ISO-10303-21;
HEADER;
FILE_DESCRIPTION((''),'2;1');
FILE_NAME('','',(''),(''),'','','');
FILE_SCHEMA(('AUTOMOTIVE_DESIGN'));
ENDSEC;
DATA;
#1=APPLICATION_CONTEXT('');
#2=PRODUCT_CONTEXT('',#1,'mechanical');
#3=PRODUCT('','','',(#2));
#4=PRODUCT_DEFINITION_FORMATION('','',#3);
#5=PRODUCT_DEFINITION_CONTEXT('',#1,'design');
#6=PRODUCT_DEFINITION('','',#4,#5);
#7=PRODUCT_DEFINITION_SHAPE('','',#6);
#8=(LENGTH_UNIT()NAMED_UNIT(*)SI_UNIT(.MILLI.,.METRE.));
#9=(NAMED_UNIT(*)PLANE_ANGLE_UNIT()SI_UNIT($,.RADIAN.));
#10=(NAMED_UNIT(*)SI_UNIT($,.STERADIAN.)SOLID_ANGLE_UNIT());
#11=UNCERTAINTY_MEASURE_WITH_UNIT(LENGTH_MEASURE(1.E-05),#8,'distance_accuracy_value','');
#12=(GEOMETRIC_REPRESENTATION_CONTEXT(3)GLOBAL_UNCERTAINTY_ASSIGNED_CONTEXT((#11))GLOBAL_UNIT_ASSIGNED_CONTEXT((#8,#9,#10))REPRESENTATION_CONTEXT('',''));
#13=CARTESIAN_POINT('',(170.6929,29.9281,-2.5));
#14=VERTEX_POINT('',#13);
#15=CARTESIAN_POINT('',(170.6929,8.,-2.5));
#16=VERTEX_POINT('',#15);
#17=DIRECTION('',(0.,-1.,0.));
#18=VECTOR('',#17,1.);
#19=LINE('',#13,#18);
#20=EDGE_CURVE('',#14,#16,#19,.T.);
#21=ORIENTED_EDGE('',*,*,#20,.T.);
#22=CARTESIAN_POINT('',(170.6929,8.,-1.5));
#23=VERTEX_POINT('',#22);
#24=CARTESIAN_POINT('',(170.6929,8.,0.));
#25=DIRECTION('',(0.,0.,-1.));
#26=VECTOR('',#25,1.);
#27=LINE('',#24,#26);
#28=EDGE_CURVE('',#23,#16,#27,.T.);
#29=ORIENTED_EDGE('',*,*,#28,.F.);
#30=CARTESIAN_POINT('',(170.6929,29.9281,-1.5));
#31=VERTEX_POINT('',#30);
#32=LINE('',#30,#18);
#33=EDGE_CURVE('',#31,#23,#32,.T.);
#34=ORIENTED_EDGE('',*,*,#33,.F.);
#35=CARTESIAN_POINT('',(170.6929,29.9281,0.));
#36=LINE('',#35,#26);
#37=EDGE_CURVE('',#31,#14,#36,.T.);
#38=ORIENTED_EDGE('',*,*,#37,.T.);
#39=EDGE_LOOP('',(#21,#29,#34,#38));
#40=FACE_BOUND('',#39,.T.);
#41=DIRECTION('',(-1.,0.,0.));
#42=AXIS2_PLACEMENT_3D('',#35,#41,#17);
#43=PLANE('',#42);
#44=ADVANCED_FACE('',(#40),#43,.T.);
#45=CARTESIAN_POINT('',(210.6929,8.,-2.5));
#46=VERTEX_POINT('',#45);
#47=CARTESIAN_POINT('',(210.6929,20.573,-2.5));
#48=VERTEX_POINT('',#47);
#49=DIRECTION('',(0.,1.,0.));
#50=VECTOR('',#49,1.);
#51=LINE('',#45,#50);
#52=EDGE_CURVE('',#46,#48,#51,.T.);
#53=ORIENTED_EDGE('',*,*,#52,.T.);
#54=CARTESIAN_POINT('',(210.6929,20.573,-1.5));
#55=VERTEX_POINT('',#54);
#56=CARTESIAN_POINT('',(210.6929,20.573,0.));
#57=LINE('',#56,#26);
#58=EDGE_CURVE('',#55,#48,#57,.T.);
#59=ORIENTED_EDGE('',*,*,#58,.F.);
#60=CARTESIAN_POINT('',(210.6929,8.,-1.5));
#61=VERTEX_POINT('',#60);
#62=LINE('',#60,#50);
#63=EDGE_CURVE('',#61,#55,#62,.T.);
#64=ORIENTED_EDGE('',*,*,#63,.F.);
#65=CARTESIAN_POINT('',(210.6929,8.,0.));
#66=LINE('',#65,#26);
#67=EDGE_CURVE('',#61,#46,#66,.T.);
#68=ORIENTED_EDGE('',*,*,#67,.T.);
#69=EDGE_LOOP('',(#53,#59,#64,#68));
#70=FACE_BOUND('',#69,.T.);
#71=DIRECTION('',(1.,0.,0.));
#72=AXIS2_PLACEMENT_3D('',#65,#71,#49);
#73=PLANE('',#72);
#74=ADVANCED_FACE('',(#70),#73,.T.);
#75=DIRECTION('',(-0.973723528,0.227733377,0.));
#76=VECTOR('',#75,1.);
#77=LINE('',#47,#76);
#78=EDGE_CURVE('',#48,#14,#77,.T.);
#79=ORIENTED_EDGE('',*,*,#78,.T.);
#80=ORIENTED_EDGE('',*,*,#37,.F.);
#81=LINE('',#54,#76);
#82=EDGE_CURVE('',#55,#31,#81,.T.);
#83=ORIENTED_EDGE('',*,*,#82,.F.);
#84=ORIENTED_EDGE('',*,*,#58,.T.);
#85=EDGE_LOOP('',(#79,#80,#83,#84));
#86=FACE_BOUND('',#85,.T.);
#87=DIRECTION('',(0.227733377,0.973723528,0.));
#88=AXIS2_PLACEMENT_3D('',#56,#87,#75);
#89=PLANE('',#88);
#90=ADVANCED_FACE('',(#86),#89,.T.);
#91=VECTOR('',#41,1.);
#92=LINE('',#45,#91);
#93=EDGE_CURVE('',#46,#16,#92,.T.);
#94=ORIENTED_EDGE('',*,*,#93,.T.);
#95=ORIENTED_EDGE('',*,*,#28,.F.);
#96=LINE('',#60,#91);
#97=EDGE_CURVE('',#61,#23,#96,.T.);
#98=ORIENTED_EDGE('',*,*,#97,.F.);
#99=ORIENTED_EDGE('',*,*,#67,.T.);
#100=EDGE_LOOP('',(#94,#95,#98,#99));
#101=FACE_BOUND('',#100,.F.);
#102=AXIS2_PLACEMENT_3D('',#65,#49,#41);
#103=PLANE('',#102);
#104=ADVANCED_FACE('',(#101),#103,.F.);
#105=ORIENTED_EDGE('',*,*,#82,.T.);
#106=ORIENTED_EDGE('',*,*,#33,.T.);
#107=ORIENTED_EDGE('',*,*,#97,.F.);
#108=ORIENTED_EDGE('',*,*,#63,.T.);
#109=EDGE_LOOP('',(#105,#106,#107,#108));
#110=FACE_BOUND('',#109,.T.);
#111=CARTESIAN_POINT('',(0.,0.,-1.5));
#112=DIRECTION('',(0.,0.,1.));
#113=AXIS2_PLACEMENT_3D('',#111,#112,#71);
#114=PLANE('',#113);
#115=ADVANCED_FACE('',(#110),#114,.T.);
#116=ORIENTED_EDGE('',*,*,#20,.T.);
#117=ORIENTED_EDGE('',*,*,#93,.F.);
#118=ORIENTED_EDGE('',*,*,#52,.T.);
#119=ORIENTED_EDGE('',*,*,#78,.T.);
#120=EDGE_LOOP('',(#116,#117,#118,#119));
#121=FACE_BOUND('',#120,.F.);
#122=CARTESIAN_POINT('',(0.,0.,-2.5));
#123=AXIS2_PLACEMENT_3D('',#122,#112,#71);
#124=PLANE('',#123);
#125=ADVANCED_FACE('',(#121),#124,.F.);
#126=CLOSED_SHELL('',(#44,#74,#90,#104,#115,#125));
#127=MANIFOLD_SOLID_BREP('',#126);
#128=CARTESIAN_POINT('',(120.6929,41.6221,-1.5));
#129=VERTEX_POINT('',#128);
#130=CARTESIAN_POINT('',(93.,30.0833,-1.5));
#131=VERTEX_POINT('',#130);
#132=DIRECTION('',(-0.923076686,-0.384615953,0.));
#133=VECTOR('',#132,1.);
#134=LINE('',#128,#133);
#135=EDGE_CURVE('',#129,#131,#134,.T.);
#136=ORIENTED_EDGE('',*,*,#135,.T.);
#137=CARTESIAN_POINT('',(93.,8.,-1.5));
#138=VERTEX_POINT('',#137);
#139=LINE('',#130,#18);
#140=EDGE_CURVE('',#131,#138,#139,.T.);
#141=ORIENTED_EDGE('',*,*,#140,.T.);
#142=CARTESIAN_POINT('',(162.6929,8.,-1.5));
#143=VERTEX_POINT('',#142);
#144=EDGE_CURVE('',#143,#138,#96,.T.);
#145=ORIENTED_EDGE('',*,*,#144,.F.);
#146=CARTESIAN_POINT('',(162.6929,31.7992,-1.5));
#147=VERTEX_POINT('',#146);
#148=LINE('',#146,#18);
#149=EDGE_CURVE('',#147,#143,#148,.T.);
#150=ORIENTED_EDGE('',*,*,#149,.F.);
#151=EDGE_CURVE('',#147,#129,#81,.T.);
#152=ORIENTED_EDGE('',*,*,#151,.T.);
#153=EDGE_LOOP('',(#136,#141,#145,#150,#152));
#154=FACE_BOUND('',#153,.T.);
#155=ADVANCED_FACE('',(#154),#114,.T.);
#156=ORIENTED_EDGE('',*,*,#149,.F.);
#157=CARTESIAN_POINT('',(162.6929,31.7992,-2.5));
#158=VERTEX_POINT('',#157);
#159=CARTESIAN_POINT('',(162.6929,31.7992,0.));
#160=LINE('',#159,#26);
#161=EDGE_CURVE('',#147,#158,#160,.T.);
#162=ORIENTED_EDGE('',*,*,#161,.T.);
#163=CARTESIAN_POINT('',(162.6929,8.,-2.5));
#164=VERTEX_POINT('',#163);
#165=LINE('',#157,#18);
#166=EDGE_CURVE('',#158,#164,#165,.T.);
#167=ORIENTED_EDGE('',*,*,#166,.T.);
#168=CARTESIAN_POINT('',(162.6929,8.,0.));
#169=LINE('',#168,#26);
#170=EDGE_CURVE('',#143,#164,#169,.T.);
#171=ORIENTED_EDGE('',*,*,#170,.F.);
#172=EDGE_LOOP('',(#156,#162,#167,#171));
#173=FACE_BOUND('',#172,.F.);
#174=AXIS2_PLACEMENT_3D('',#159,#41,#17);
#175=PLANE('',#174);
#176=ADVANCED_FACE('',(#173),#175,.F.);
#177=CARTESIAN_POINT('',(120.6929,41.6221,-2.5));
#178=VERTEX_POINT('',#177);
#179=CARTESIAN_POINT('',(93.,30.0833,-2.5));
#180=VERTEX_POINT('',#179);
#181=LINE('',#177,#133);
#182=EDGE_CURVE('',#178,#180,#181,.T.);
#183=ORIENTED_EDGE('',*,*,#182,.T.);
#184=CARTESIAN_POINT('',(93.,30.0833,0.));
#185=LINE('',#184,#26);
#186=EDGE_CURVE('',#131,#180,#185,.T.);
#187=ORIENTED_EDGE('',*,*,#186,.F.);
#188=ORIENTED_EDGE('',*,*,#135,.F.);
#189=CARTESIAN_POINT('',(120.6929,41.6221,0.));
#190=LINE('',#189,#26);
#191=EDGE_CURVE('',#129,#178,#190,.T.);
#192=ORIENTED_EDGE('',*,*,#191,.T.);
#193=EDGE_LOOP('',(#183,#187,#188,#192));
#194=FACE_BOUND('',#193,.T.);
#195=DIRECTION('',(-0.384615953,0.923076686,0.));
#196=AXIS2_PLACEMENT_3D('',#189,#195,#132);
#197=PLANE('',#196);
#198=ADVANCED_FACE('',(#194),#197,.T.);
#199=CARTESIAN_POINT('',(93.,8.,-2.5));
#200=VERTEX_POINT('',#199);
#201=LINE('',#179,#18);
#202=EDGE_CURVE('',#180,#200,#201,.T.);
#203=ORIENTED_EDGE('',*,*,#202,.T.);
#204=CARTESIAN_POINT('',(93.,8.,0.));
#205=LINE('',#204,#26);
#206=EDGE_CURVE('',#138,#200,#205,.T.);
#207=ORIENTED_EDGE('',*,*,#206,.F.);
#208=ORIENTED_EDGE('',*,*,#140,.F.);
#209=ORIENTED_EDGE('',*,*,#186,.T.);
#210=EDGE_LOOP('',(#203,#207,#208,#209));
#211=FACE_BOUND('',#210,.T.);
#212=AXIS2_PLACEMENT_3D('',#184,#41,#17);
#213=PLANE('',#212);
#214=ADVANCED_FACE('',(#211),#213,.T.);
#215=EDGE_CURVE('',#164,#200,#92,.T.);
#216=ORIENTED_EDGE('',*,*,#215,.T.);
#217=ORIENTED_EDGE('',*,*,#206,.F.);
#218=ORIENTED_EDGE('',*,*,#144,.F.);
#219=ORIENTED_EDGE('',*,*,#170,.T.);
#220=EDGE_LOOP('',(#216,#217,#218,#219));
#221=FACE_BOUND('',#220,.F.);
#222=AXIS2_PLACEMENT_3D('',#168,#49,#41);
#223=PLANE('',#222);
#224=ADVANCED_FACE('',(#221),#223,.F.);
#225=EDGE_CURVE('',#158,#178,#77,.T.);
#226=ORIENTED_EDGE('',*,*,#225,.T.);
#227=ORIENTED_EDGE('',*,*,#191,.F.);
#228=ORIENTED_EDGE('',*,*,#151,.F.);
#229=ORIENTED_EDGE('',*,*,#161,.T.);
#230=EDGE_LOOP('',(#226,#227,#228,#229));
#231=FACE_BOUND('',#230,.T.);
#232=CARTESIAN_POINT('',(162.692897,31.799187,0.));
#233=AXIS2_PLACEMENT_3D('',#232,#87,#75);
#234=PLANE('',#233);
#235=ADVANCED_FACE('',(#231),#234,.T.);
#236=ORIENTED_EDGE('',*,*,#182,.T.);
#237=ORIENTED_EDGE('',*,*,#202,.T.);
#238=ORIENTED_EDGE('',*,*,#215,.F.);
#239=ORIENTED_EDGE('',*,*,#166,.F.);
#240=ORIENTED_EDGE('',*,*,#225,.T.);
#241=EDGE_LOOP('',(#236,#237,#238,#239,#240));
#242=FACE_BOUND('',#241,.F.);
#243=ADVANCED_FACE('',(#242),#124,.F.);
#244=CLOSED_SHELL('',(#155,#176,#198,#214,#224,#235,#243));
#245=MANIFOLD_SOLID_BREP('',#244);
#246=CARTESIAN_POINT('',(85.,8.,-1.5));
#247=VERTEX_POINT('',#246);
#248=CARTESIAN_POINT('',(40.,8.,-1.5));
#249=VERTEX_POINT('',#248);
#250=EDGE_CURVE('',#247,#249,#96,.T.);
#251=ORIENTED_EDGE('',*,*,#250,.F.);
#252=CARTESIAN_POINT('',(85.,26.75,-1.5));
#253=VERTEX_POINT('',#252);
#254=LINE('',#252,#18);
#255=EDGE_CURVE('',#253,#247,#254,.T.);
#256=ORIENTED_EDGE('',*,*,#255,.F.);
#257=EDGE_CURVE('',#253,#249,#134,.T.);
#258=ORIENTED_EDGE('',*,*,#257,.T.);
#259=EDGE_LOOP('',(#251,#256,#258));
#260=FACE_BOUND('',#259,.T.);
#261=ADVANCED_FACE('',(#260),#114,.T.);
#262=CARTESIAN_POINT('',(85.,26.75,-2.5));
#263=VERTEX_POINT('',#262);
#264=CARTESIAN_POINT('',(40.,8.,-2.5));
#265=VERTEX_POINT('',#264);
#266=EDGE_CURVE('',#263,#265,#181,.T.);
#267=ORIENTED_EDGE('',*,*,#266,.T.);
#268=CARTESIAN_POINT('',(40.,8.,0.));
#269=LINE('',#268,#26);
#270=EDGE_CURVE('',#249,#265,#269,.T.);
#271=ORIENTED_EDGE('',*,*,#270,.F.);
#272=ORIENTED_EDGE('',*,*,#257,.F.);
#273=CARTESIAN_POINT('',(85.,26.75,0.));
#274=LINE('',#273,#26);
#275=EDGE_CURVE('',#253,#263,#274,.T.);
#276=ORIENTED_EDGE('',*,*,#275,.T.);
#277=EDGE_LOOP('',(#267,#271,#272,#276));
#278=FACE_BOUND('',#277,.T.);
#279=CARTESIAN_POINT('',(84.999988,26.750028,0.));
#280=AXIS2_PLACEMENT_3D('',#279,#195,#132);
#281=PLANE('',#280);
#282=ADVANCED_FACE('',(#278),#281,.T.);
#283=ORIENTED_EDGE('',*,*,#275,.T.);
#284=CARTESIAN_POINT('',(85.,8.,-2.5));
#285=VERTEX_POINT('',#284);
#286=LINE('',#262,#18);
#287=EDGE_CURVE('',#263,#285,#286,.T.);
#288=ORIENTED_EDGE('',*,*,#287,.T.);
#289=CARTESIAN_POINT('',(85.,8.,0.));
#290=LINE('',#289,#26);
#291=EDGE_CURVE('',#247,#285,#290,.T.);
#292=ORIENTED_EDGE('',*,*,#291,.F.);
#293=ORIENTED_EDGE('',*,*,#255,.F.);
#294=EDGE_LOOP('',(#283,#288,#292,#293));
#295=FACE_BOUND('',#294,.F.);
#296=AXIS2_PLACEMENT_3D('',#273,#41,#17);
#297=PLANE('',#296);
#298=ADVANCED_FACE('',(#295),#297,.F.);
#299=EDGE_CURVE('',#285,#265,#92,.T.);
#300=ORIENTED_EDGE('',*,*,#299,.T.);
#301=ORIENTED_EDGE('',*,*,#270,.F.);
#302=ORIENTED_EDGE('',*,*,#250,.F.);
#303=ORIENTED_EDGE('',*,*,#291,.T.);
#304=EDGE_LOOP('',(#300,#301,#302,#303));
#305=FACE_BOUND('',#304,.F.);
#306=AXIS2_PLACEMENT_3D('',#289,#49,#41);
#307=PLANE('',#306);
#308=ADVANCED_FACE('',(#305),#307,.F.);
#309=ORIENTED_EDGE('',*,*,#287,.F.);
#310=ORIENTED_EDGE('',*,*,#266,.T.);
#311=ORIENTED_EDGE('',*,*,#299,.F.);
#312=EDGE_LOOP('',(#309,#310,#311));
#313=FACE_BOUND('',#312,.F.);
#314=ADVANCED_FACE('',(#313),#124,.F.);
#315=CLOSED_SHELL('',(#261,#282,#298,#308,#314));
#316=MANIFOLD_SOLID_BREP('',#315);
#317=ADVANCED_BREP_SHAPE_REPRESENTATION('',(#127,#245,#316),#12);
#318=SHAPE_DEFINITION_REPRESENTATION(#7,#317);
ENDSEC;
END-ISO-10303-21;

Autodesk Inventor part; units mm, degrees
ref_plane "YZ Plane" through (0, 0, 0) normal (1, 0, 0) x (0, 1, 0)
ref_plane "XZ Plane" through (0, 0, 0) normal (0, 1, 0) x (-1, 0, 0)
ref_plane "XY Plane" through (0, 0, 0) normal (0, 0, 1) x (1, 0, 0)
sketch "Sketch1" plane through (0, 0, 0) normal (0, 0, 1) x (1, 0, 0)
  line L0 (13.8455, -58.3807) -> (313.7199, -67.0622)
  line L1 (313.7199, -67.0622) -> (333.7863, 0)
  line L2 (13.8455, -58.3807) -> (0, 0)
  line L3 (0, 0) -> (333.7863, 0)
  line L4 (120, 50) -> (333.7863, 0)
  line L5 (120, 50) -> (0, 0)
  line L6 (120.6929, 41.6221) -> (40, 8)
  line L7 (210.6929, 8) -> (210.6929, 20.573)
  line L8 (210.6929, 20.573) -> (120.6929, 41.6221)
  line L9 (85, 26.75) -> (85, 8)
  line L10 (120.6929, 41.6221) -> (122.5148, 49.4118)
  line L11 (120.6929, 41.6221) -> (117.616, 49.0067)
  line L12 (210.6929, 8) -> (210.6929, 0)
  line L13 (170.6929, 29.9281) -> (170.6929, 8)
  line L14 (93, 30.0833) -> (93, 8)
  line L15 (85, 8) -> (93, 8)
  line L16 (162.6929, 31.7992) -> (162.6929, 8)
  line L17 (162.6929, 8) -> (170.6929, 8)
  line L18 (210.6929, 8) -> (40, 8)
  point P0 (170.6929, 8)
  dimension "d228" = 105
  dimension "d268" = 60
  dimension "d269" = 70
  dimension "d270" = 300
  dimension "d273" = 120
  dimension "d274" = 50
  dimension "d275" = 105
  dimension "d283" = 90
  dimension "d284" = 40
  dimension "d285" = 45
  dimension "d289" = 8
  dimension "d290" = 8
extrude "Extrusion1" add sketch "Sketch1" against normal blind 2.5 contours L18 L13 L8 L7 | L8 L16 L18 L14 L6 | L9 L18 L6
extrude "Extrusion2" cut sketch "Sketch1" against normal blind 1.5 contours L18 L13 L8 L7 | L8 L16 L18 L14 L6 | L9 L18 L6
properties part number "Langbektang houder" material "Glass"
